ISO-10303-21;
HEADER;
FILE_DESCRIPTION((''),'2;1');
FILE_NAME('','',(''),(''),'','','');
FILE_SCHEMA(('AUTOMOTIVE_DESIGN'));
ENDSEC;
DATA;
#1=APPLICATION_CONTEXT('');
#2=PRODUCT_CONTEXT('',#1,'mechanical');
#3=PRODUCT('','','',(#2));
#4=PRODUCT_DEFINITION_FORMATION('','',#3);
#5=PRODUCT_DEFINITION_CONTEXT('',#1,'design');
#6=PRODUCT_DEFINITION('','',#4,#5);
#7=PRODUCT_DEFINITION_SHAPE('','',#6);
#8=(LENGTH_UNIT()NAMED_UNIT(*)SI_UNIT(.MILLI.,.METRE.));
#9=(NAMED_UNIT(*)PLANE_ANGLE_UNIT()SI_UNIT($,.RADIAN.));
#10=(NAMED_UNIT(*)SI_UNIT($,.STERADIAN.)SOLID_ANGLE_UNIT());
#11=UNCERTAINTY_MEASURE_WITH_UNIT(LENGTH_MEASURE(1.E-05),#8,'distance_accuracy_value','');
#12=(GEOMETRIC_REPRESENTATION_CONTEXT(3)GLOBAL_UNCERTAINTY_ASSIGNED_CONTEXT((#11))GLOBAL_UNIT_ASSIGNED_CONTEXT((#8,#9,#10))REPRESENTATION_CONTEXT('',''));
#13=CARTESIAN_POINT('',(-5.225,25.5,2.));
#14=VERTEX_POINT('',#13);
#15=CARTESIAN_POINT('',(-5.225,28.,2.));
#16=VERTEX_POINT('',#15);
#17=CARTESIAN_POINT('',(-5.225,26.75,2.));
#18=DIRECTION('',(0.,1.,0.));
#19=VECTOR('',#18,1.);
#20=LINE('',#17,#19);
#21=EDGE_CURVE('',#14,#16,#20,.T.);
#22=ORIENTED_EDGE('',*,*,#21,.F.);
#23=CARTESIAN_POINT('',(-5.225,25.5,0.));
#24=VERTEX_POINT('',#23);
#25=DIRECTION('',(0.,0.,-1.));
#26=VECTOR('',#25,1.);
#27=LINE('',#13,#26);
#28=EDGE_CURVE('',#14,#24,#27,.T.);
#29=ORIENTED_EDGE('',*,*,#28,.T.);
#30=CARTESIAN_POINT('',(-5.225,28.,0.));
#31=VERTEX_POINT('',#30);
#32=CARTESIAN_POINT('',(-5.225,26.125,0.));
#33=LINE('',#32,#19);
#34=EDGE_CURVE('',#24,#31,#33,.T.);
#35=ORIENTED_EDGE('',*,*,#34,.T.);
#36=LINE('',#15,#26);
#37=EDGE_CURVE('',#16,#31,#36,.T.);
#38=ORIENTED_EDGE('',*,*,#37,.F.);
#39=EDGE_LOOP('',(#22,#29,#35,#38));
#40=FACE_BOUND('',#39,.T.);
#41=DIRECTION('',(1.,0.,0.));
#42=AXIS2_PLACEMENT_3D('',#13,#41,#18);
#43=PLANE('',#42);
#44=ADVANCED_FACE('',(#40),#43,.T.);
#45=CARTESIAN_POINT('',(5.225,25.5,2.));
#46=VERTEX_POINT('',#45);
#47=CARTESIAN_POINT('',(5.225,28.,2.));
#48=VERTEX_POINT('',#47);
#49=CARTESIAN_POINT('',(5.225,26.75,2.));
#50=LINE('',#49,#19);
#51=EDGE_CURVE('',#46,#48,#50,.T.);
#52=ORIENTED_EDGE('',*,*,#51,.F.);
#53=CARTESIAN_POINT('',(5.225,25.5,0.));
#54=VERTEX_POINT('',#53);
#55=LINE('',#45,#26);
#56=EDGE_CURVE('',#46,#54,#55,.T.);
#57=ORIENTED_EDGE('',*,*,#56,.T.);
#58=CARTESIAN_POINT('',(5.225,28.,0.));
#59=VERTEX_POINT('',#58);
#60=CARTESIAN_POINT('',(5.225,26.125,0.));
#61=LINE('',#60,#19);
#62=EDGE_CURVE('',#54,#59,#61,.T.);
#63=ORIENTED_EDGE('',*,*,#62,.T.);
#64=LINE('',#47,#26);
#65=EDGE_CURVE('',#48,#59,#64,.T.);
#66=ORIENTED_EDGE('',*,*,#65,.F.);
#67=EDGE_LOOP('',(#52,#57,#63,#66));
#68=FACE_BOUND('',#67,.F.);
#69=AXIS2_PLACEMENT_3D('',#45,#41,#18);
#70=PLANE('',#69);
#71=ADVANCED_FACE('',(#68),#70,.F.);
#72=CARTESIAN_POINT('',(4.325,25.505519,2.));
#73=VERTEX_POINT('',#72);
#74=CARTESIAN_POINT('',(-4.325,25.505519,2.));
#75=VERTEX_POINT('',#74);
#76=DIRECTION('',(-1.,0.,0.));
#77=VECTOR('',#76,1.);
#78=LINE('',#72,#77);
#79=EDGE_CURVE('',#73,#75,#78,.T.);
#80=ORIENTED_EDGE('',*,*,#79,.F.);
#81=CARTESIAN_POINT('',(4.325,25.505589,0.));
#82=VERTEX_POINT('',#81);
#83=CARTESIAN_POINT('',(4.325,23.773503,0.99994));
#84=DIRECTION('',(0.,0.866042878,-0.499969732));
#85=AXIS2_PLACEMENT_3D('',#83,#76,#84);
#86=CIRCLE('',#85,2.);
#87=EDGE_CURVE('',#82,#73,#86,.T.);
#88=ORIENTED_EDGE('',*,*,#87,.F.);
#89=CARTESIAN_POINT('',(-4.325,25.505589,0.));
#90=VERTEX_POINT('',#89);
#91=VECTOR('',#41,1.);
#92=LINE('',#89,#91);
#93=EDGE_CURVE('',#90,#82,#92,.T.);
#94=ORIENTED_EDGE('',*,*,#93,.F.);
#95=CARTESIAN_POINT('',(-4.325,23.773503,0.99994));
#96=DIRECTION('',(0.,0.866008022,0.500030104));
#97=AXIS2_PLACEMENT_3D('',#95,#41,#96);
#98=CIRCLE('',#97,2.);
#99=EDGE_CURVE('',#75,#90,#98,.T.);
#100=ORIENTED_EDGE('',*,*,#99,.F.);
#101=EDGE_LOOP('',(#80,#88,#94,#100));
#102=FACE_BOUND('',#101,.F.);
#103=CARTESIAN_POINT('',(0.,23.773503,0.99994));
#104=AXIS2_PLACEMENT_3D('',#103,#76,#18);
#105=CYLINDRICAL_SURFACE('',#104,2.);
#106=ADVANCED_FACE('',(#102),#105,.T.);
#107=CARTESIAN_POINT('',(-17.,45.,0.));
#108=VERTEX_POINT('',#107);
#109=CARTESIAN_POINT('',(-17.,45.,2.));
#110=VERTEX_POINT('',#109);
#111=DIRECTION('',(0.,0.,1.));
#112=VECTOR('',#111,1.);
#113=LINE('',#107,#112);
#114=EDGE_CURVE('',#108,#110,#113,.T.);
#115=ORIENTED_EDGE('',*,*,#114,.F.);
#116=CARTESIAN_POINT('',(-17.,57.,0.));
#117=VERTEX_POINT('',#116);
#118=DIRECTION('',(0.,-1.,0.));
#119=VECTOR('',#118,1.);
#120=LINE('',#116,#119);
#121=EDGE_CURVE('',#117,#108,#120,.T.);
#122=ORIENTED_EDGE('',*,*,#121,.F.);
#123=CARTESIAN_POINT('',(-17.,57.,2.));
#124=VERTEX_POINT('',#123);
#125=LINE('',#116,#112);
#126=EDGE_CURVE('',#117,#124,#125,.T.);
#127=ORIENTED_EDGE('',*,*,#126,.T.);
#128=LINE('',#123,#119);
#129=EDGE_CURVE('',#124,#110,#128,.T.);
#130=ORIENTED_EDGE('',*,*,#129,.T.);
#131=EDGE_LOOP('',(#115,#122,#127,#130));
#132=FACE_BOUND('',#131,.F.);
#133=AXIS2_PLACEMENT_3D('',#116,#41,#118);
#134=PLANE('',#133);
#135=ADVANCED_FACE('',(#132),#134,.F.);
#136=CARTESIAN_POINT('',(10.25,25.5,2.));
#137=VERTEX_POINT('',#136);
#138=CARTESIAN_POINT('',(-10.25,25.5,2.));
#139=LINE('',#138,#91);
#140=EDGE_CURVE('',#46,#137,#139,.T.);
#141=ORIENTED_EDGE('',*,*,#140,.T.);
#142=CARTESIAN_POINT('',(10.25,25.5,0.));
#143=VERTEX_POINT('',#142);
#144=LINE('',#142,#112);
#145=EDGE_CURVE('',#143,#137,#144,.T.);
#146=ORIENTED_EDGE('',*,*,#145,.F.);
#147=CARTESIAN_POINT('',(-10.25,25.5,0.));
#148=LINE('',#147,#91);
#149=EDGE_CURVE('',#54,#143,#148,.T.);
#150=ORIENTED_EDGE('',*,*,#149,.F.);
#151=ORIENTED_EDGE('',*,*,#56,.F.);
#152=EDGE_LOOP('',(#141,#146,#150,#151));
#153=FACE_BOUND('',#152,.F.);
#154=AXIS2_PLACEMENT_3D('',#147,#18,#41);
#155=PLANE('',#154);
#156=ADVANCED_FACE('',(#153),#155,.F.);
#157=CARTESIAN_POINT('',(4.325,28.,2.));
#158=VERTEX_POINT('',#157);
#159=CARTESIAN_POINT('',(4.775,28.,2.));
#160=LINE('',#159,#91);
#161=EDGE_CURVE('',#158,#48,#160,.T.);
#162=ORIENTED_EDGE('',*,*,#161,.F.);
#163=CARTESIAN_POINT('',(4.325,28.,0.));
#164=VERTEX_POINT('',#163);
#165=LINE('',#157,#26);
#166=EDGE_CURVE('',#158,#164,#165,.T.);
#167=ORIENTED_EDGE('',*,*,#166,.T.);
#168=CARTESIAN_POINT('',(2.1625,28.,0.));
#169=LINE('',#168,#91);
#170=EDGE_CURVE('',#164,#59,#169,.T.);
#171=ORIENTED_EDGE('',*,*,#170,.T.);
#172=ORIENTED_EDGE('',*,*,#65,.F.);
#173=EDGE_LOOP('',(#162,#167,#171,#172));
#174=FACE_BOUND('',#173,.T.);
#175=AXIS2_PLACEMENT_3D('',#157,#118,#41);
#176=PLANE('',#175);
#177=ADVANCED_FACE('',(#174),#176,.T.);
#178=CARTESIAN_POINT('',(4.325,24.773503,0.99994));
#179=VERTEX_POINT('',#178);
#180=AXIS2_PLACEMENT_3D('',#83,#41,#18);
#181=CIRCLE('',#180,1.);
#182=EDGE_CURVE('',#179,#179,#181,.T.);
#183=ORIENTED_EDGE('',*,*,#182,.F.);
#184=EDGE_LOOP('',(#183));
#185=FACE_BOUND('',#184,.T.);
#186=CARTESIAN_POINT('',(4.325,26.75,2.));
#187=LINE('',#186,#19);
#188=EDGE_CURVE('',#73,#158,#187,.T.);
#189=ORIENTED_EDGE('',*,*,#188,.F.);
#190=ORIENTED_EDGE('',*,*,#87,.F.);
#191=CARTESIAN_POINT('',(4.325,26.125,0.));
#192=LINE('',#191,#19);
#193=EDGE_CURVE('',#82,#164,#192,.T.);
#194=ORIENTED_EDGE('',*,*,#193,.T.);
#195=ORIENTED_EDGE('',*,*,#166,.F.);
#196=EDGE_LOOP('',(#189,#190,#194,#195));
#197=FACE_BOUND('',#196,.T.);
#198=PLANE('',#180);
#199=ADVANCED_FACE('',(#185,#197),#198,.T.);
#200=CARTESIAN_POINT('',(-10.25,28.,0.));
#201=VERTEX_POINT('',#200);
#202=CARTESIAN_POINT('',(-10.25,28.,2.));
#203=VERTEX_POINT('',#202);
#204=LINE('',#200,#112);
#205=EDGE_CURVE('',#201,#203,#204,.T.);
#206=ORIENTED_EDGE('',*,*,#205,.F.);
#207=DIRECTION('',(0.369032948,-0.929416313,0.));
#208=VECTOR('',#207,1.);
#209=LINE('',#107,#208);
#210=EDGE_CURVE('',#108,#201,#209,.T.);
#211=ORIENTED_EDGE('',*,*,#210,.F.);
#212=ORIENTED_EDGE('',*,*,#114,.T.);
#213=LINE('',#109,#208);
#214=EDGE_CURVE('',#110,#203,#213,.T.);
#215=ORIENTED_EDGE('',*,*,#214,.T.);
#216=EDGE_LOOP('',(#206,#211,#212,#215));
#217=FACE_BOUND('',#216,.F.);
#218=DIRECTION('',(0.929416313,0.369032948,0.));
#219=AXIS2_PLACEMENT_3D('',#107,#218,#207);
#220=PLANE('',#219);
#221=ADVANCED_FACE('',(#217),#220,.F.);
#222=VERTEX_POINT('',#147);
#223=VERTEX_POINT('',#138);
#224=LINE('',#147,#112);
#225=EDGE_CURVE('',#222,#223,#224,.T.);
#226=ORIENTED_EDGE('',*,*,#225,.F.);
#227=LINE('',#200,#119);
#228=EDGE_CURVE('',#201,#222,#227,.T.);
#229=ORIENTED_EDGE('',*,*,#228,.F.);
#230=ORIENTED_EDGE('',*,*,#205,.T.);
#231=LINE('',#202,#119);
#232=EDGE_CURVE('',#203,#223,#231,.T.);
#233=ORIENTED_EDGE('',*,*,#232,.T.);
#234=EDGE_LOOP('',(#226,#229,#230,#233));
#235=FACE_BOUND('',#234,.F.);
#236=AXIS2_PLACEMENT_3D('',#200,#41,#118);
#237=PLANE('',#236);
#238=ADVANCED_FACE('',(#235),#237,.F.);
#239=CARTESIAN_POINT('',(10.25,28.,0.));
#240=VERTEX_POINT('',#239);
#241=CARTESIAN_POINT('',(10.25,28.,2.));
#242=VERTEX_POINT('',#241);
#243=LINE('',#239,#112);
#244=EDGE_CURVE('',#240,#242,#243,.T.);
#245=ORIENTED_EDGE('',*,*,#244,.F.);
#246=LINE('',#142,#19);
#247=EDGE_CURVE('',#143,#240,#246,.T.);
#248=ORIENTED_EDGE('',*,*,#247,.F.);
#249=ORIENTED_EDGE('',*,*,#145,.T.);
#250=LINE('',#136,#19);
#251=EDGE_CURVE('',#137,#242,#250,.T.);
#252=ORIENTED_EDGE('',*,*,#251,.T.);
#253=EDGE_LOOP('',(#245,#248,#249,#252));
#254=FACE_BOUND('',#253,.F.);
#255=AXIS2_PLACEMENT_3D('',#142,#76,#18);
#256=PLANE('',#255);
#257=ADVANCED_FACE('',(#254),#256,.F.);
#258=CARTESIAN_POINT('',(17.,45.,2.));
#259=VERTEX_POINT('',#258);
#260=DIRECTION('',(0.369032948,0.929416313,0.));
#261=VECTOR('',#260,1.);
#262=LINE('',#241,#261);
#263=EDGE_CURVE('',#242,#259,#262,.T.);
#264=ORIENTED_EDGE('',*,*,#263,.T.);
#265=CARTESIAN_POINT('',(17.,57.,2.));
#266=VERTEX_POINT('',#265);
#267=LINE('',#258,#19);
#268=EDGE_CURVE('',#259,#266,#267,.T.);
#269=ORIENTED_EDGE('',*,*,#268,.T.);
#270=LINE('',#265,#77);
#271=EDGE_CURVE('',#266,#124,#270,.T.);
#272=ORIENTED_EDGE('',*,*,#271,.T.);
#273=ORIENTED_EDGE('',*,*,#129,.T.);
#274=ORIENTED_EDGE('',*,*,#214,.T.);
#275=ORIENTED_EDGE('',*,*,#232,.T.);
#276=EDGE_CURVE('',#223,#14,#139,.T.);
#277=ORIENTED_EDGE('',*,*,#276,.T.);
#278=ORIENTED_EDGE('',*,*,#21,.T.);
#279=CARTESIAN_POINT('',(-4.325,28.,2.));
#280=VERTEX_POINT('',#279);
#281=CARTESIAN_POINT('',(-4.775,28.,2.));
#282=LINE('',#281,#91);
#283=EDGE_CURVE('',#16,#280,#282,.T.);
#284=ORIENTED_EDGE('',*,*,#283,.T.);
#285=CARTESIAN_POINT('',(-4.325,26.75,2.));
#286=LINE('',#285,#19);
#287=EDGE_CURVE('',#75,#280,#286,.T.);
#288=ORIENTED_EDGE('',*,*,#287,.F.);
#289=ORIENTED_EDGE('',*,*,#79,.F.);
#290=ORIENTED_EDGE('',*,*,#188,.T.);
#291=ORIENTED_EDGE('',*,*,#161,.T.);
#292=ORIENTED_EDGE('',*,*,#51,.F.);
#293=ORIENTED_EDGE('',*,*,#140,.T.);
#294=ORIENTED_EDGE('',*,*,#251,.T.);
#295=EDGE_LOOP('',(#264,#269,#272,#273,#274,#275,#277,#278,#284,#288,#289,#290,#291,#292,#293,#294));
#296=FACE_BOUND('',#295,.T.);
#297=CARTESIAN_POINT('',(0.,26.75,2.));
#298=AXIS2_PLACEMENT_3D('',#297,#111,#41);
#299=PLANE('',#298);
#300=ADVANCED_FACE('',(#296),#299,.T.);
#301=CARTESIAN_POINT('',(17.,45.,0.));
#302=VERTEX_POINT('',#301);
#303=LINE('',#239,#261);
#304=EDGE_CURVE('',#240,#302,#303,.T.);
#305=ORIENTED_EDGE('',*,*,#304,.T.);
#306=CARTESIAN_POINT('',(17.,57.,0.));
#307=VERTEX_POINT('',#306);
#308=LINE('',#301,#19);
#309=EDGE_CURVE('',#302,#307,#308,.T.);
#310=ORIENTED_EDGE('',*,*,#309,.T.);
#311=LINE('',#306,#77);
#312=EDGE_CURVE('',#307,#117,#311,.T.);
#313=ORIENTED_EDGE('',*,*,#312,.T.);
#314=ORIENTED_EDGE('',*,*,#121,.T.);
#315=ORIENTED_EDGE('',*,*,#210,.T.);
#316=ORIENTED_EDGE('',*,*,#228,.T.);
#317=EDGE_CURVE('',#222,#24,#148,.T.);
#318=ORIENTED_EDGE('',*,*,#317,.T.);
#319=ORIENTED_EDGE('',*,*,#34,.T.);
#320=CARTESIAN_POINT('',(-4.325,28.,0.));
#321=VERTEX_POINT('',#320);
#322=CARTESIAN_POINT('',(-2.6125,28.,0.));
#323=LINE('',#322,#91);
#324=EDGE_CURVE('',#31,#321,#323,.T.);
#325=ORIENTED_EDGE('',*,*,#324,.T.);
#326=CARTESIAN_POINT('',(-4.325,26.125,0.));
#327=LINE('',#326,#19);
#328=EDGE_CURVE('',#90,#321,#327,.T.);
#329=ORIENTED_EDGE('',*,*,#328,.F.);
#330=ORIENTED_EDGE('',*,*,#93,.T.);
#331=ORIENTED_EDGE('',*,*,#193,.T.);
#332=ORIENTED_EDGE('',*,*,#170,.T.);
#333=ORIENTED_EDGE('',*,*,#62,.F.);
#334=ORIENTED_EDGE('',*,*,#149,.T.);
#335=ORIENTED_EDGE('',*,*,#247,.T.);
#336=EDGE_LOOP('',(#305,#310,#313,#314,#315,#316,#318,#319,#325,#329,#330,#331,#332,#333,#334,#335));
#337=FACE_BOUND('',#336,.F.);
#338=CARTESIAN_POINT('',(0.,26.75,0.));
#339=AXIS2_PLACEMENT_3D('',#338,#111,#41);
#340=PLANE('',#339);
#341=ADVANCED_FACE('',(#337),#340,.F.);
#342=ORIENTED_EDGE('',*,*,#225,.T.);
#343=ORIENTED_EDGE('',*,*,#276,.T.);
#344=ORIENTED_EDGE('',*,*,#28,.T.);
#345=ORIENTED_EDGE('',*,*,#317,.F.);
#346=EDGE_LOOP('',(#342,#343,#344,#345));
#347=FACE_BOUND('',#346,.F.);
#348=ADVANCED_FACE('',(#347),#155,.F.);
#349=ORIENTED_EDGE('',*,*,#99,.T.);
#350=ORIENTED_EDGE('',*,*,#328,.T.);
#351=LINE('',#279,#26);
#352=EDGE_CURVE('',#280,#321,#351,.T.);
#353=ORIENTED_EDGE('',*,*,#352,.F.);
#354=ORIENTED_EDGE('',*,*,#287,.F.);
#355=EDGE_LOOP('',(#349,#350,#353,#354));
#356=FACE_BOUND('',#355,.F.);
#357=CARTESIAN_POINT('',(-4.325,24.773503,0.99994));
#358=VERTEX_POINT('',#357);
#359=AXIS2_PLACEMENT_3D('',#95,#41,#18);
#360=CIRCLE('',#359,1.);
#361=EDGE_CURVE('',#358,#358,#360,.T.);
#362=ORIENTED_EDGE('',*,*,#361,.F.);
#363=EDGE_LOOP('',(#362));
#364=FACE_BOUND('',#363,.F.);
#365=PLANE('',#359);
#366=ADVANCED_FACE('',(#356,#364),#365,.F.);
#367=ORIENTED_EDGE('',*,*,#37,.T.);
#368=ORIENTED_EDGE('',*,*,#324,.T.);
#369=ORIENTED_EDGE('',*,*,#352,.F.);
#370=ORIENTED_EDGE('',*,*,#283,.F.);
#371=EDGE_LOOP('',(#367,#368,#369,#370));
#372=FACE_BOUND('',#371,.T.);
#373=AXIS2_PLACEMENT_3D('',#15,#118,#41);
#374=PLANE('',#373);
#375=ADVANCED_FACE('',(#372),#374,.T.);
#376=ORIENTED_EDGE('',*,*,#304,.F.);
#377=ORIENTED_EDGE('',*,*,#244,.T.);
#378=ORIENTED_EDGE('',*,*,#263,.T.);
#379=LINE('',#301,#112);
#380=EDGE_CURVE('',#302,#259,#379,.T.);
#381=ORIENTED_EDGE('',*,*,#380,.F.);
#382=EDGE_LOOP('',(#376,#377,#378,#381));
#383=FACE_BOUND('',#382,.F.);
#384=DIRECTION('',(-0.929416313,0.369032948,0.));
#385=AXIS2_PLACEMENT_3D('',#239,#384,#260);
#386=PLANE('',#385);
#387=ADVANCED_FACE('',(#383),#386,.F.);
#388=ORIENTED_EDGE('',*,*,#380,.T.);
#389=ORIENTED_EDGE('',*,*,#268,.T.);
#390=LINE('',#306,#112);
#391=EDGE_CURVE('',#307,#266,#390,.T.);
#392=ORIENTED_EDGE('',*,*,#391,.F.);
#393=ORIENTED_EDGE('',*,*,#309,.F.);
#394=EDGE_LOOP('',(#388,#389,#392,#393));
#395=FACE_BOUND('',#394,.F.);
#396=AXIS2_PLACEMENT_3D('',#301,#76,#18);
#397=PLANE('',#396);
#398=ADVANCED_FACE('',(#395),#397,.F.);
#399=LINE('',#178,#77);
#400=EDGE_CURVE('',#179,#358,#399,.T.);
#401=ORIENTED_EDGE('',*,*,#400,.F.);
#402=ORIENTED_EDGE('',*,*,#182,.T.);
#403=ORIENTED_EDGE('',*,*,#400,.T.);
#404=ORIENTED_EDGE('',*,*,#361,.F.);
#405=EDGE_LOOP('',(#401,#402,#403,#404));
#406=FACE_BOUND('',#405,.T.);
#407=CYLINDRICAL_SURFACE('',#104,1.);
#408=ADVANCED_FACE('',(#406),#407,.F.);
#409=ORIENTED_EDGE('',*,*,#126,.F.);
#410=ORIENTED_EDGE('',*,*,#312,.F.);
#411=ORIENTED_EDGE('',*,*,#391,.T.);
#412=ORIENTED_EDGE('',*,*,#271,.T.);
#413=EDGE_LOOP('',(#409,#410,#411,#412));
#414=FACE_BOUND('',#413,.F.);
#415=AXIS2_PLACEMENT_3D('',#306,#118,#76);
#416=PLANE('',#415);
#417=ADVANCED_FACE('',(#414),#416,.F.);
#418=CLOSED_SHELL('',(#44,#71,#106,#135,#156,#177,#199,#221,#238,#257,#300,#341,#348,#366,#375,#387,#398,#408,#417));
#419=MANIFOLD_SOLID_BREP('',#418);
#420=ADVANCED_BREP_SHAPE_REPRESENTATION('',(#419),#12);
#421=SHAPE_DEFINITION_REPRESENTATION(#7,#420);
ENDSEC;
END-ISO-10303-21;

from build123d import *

# Parameters (mm, degrees)
F1_DEPTH      = 2
F2_R          = 2.0000003278
F2_R_2        = 1
F3_DEPTH      = 4.325
F3_DEPTH_BACK = 4.325
F4_W          = 0.9
F4_H          = 2.5
F5_DEPTH      = 3.0010606999


with BuildPart() as f1:
    # F0 (on Top) → F1 (new body)
    with BuildSketch(Plane.XY):
        Polygon((-10.25, 25.5), (0, 25.5), (10.25, 25.5), (10.25, 28), (0, 28), (-10.25, 28), align=None)
        Polygon((-17, 45), (-10.25, 28), (0, 28), (10.25, 28), (17, 45), (0, 45), align=None)
        Polygon((-17, 57), (-17, 45), (0, 45), (17, 45), (17, 57), (0, 57), align=None)
    extrude(amount=F1_DEPTH)

    # F2 (on Right) → F3 (join, two sides)
    with BuildSketch(Plane.YZ) as f3_sk:
        with Locations((23.7735025585, 0.9999396279)):
            Circle(F2_R)
        with Locations((23.7735025585, 0.9999396279)):
            Circle(F2_R_2, mode=Mode.SUBTRACT)
    extrude(amount=-F3_DEPTH)
    extrude(f3_sk.sketch, amount=F3_DEPTH_BACK)

    # F4 (on face) → F5 (cut, through all)
    with BuildSketch(Plane.XY.offset(2)):
        with Locations((4.775, 26.75)):
            Rectangle(F4_W, F4_H)
        with Locations((-4.775, 26.75)):
            Rectangle(F4_W, F4_H)
    extrude(amount=-F5_DEPTH, mode=Mode.SUBTRACT)


solid = f1.part
